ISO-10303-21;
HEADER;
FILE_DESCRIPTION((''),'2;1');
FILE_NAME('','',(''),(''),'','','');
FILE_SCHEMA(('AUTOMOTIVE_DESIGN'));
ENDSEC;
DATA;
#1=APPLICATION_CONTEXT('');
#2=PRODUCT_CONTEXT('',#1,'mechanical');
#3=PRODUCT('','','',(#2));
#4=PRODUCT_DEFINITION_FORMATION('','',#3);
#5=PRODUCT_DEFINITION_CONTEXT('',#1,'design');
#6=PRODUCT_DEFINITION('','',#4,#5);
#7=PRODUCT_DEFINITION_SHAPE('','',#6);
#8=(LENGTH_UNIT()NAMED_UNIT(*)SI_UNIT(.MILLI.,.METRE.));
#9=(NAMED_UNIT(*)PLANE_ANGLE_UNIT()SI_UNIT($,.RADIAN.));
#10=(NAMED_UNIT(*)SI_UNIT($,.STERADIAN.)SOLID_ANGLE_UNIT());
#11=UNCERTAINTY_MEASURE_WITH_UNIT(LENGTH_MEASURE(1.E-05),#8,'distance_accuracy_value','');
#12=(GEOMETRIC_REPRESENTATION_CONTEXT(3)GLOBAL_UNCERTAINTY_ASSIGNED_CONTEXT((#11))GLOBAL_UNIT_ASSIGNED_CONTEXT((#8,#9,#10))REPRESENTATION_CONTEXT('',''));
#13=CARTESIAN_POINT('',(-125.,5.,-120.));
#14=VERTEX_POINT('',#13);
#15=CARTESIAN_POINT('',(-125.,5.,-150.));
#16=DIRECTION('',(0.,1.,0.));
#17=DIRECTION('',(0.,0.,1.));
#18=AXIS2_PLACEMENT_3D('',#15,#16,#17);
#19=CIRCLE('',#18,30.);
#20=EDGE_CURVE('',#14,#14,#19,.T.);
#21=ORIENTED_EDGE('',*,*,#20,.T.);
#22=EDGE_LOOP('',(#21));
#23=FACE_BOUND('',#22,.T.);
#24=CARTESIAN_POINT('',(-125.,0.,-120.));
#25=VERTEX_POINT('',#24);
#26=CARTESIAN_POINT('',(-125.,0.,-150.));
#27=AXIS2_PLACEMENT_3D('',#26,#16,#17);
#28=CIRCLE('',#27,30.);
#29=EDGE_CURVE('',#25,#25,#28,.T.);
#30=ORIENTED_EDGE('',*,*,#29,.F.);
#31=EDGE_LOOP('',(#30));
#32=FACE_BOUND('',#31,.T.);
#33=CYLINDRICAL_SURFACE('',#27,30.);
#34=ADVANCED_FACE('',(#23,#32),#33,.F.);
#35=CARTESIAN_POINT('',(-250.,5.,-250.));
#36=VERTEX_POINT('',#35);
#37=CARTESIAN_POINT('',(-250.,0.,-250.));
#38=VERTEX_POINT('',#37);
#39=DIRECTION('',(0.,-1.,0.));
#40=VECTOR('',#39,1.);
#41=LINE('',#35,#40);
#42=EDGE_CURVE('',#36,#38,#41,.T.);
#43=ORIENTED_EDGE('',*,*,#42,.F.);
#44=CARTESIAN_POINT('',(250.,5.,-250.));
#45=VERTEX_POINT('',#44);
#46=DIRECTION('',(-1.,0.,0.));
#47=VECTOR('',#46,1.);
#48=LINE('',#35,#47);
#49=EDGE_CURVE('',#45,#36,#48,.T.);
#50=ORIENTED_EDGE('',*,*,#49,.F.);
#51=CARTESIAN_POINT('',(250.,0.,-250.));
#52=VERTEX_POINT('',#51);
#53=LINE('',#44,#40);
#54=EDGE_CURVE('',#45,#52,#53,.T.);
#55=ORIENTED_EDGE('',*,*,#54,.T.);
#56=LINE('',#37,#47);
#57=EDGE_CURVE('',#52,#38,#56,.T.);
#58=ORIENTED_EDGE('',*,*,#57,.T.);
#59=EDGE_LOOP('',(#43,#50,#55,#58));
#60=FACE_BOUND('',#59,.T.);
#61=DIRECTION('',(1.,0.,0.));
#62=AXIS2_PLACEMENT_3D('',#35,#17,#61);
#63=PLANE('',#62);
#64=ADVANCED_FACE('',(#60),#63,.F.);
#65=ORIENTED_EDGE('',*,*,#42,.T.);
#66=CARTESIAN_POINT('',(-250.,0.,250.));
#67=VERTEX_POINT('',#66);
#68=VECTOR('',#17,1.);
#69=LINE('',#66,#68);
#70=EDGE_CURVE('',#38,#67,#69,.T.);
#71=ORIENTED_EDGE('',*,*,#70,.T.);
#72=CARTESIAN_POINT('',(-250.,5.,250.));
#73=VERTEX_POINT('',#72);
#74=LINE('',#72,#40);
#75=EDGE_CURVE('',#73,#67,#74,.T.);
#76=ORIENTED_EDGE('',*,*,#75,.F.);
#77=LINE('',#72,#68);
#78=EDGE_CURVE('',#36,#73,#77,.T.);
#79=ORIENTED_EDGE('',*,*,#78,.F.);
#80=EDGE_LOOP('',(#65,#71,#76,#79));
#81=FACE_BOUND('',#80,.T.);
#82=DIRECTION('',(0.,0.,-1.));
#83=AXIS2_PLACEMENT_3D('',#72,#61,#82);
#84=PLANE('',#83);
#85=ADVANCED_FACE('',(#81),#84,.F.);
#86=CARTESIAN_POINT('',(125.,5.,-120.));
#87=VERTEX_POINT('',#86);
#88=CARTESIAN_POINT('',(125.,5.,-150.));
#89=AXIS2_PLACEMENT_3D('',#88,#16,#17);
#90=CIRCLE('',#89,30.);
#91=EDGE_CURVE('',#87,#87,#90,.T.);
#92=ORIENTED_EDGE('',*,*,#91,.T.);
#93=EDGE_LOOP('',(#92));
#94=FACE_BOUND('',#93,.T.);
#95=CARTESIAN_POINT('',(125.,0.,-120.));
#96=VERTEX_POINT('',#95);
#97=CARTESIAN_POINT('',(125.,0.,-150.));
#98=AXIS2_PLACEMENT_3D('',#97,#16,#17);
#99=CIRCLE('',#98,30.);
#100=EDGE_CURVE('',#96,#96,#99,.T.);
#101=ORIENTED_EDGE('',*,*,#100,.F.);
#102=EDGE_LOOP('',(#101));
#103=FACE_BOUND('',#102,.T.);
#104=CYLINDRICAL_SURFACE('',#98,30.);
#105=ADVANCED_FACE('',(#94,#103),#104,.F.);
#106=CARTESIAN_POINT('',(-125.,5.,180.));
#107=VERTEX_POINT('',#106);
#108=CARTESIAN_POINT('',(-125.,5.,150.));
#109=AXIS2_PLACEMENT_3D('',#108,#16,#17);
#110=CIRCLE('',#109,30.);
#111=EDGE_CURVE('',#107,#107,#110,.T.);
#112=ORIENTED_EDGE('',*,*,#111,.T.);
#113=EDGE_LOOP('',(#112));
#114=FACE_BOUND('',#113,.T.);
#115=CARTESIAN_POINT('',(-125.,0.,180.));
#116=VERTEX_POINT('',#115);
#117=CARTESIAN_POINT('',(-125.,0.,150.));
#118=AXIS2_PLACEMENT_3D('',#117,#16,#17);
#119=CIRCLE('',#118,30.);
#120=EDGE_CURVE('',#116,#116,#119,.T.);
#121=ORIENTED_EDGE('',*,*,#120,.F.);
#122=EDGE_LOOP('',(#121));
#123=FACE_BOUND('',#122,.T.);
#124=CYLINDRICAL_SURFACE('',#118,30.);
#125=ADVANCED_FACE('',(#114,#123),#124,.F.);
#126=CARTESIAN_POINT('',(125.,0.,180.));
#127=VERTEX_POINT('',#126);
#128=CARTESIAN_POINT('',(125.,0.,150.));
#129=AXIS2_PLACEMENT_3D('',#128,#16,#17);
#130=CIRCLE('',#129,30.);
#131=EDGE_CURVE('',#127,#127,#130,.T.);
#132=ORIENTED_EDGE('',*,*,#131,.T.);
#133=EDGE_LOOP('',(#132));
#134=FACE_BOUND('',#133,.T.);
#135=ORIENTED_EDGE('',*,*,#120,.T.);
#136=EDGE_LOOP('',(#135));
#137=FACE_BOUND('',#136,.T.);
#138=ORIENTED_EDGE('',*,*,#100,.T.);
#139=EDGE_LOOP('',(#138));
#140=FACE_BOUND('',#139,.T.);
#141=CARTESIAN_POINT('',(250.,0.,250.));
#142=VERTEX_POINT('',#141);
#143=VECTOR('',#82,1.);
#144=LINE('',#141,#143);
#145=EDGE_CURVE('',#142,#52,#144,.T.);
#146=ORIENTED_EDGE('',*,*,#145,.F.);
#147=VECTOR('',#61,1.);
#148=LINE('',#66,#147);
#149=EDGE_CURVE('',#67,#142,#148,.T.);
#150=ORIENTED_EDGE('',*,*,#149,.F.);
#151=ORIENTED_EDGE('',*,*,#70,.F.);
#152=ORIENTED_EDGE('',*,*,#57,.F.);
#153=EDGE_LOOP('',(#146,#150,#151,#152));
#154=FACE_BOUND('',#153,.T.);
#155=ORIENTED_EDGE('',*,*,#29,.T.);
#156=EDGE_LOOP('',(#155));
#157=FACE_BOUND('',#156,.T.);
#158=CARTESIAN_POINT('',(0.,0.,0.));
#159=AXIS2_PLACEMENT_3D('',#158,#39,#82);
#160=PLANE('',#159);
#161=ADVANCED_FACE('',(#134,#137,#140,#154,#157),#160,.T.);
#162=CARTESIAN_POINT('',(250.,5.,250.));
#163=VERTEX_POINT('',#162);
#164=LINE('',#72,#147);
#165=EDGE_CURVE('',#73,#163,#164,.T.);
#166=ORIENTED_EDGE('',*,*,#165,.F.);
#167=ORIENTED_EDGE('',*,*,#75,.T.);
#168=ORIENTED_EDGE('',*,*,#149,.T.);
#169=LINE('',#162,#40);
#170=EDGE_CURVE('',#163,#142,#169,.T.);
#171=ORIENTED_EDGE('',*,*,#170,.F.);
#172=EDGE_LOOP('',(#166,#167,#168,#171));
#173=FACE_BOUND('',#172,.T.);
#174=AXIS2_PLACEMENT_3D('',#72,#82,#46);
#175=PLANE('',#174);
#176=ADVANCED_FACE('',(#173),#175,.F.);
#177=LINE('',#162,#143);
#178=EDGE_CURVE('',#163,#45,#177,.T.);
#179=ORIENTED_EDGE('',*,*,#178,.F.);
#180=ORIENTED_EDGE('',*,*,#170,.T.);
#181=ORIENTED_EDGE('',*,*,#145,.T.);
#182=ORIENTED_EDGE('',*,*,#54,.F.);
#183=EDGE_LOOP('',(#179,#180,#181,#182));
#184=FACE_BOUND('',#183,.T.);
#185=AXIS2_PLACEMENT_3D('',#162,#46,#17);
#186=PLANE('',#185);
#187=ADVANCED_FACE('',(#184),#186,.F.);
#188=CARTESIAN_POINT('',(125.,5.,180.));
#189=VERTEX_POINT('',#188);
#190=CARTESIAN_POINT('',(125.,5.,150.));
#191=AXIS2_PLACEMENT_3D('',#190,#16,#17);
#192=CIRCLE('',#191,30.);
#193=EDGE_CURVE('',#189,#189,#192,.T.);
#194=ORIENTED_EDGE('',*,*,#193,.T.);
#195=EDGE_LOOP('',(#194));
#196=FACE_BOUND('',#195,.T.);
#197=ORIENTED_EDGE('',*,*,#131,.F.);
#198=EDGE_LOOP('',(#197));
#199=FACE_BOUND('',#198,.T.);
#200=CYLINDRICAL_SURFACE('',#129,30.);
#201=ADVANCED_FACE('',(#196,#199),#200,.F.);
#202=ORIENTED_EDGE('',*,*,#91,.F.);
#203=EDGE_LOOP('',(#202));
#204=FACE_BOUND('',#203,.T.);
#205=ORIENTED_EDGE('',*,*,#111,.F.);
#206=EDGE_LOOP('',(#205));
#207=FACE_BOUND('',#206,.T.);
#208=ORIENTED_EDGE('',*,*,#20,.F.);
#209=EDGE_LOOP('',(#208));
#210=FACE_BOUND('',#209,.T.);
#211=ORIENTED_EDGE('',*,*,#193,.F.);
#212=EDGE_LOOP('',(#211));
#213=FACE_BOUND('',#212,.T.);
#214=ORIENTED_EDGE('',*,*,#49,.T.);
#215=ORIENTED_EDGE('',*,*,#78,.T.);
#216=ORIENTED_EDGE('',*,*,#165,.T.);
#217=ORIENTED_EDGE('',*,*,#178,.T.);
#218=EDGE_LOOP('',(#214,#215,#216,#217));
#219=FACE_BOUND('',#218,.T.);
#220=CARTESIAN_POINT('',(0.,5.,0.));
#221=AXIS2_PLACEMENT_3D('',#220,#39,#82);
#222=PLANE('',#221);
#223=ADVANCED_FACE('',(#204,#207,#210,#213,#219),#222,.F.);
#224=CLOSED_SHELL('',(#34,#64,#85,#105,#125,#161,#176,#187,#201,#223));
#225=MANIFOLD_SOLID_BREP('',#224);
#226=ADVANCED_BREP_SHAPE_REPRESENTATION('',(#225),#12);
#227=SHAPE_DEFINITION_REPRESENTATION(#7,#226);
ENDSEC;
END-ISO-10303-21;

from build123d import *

# Parameters (mm, degrees)
SKETCH1_W               = 500
SKETCH1_H               = 500
BOSS_EXTRUDE1_DEPTH     = 5
CUT_EXTRUDE1_DEPTH      = 354.588744165
CUT_EXTRUDE1_DEPTH_BACK = 354.588744165
SKETCH2_R               = 30


with BuildPart() as part:
    # Sketch1 → Boss-Extrude1 (new body)
    with BuildSketch(Plane(origin=(0, 0, 0), x_dir=(1, 0, 0), z_dir=(0, 1, 0))):
        Rectangle(SKETCH1_W, SKETCH1_H)
    extrude(amount=BOSS_EXTRUDE1_DEPTH)

    # Sketch2 → Cut-Extrude1 (cut, two sides: drawn at the far end of the back side and taken through both)
    with BuildSketch(Plane(origin=(0, 5, 0), x_dir=(1, 0, 0), z_dir=(0, 1, 0)).offset(-CUT_EXTRUDE1_DEPTH_BACK)):
        with Locations(Location((-125, -150, 0), (0, 0, 270))):
            Circle(SKETCH2_R)
        with Locations(Location((125, -150, 0), (0, 0, 270))):
            Circle(SKETCH2_R)
        with Locations(Location((125, 150, 0), (0, 0, 270))):
            Circle(SKETCH2_R)
        with Locations(Location((-125, 150, 0), (0, 0, 270))):
            Circle(SKETCH2_R)
    extrude(amount=CUT_EXTRUDE1_DEPTH + CUT_EXTRUDE1_DEPTH_BACK, mode=Mode.SUBTRACT)


solid = part.part
